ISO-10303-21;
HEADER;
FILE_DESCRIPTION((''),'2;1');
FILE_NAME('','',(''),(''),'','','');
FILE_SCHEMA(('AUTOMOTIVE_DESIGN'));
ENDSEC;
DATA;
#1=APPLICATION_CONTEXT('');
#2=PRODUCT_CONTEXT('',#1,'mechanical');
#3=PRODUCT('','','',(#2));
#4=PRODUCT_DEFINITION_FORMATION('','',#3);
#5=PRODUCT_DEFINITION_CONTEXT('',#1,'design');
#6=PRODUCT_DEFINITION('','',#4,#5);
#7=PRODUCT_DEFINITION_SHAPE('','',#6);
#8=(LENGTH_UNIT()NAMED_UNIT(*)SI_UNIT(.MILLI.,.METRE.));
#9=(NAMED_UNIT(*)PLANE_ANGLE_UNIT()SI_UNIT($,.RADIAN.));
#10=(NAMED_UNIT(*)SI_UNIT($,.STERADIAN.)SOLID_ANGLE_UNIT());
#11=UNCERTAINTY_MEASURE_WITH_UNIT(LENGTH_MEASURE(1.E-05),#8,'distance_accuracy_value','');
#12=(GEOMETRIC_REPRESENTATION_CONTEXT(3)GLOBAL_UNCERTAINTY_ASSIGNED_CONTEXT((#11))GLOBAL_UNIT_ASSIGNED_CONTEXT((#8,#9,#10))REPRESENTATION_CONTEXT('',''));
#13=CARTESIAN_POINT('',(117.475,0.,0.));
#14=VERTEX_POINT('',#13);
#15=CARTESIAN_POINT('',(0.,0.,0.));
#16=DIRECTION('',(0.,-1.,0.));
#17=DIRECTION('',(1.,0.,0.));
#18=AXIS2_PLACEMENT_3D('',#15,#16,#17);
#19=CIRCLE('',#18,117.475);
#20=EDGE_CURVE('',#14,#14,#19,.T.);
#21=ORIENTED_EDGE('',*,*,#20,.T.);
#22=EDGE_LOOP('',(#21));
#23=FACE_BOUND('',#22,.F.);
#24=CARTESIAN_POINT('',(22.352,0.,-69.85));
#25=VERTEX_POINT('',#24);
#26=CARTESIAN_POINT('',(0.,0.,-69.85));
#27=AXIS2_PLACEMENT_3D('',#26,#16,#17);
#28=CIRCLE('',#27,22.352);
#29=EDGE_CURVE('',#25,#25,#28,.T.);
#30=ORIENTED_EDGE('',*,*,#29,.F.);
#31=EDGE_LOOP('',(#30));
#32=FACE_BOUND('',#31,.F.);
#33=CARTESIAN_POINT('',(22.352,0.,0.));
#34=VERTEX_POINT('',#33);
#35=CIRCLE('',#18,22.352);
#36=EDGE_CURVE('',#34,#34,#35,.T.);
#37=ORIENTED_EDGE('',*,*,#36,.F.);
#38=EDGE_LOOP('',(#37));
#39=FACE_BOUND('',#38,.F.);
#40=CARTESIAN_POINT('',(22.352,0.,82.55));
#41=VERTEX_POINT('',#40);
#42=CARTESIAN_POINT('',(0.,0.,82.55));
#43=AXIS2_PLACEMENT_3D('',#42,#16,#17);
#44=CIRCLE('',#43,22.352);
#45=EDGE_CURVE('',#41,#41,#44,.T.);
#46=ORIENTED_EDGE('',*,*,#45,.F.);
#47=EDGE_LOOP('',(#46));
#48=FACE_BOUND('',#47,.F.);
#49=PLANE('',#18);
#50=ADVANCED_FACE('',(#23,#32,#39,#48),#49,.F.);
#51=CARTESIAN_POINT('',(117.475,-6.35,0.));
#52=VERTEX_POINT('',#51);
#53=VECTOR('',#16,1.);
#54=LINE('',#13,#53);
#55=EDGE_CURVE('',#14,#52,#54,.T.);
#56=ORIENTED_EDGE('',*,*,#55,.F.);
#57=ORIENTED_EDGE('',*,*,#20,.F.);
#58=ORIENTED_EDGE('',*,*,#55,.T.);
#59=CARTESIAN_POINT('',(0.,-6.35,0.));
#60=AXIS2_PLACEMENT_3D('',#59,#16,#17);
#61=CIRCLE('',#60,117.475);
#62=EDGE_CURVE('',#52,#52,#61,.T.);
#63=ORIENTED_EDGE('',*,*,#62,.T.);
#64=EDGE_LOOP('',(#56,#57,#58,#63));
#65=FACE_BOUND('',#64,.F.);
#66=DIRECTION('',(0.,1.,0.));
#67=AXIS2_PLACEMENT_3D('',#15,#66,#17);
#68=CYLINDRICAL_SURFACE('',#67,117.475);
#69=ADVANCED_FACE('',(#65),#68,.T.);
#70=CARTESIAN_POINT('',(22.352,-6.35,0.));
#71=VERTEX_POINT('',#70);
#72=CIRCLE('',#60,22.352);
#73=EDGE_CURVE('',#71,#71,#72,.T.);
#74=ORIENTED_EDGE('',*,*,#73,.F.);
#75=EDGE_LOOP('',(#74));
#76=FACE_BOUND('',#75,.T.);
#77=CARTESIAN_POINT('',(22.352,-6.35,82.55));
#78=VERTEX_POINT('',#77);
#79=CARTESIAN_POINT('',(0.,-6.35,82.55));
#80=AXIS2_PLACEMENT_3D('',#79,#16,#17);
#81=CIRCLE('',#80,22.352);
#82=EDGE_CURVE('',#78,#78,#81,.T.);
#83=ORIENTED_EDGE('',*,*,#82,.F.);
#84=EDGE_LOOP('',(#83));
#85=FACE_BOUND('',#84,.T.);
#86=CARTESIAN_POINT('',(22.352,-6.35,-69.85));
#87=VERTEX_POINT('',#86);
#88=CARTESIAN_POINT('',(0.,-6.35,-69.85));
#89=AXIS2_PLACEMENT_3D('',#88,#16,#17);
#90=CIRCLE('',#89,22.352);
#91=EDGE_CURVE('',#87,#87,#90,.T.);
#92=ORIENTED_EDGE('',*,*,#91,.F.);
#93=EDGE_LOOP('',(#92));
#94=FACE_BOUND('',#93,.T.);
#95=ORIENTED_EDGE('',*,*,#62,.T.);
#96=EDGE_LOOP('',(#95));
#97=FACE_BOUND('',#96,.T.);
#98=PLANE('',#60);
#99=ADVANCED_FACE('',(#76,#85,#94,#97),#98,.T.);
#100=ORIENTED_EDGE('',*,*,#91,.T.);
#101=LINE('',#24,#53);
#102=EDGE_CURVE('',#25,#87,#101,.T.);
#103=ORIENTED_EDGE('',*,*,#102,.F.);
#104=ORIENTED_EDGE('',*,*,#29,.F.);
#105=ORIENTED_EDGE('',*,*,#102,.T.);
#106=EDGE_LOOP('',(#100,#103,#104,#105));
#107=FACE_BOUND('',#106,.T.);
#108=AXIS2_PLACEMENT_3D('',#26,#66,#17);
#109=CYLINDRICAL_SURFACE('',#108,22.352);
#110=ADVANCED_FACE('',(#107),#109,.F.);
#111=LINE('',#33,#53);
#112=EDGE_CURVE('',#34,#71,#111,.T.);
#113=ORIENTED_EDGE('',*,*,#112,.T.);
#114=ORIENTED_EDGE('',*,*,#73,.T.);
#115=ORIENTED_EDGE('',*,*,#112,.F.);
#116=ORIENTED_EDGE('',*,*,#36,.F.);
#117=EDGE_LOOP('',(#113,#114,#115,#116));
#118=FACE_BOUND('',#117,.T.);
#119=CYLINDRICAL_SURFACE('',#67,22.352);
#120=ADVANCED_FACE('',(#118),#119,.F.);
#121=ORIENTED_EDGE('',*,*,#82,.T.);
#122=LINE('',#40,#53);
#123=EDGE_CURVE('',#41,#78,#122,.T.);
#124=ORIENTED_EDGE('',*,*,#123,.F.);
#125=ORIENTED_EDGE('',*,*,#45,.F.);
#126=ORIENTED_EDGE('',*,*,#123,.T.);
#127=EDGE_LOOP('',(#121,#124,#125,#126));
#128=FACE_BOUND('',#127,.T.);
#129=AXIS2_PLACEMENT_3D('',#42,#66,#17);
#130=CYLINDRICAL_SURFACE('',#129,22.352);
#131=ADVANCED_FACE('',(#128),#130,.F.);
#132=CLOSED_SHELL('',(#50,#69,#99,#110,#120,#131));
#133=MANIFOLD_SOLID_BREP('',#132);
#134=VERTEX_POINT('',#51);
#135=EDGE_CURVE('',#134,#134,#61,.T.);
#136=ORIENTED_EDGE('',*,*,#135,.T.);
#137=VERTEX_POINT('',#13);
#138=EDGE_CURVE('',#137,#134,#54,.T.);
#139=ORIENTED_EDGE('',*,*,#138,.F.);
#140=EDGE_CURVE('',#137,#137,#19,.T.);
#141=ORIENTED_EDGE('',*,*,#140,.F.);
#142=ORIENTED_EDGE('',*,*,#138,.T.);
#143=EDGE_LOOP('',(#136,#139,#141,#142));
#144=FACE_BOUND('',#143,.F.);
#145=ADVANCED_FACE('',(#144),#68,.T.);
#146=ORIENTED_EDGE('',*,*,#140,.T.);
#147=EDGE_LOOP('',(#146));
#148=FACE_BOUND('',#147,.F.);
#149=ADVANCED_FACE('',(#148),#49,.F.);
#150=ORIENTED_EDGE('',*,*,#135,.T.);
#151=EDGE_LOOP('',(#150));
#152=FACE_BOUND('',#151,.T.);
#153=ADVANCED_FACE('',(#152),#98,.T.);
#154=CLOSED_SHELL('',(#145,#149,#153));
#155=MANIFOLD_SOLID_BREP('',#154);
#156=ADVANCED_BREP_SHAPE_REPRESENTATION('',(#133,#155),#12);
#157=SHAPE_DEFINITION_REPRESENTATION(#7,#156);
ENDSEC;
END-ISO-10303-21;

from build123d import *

# Parameters (mm, degrees)
F0_R     = 117.475
F1_DEPTH = 6.35
F2_R     = 117.475
F2_R_2   = 22.352
F3_DEPTH = 6.35


with BuildPart() as f1:
    # F0 (on Front) → F1 (new body)
    with BuildSketch(Plane.XZ):
        Circle(F0_R)
    extrude(amount=F1_DEPTH)


with BuildPart() as f3:
    # F2 (on Front) → F3 (new body)
    with BuildSketch(Plane.XZ):
        Circle(F2_R)
        with Locations((0, -69.85)):
            Circle(F2_R_2, mode=Mode.SUBTRACT)
        Circle(F2_R_2, mode=Mode.SUBTRACT)
        with Locations((0, 82.55)):
            Circle(F2_R_2, mode=Mode.SUBTRACT)
    extrude(amount=F3_DEPTH)


solid = Compound([f1.part, f3.part])
